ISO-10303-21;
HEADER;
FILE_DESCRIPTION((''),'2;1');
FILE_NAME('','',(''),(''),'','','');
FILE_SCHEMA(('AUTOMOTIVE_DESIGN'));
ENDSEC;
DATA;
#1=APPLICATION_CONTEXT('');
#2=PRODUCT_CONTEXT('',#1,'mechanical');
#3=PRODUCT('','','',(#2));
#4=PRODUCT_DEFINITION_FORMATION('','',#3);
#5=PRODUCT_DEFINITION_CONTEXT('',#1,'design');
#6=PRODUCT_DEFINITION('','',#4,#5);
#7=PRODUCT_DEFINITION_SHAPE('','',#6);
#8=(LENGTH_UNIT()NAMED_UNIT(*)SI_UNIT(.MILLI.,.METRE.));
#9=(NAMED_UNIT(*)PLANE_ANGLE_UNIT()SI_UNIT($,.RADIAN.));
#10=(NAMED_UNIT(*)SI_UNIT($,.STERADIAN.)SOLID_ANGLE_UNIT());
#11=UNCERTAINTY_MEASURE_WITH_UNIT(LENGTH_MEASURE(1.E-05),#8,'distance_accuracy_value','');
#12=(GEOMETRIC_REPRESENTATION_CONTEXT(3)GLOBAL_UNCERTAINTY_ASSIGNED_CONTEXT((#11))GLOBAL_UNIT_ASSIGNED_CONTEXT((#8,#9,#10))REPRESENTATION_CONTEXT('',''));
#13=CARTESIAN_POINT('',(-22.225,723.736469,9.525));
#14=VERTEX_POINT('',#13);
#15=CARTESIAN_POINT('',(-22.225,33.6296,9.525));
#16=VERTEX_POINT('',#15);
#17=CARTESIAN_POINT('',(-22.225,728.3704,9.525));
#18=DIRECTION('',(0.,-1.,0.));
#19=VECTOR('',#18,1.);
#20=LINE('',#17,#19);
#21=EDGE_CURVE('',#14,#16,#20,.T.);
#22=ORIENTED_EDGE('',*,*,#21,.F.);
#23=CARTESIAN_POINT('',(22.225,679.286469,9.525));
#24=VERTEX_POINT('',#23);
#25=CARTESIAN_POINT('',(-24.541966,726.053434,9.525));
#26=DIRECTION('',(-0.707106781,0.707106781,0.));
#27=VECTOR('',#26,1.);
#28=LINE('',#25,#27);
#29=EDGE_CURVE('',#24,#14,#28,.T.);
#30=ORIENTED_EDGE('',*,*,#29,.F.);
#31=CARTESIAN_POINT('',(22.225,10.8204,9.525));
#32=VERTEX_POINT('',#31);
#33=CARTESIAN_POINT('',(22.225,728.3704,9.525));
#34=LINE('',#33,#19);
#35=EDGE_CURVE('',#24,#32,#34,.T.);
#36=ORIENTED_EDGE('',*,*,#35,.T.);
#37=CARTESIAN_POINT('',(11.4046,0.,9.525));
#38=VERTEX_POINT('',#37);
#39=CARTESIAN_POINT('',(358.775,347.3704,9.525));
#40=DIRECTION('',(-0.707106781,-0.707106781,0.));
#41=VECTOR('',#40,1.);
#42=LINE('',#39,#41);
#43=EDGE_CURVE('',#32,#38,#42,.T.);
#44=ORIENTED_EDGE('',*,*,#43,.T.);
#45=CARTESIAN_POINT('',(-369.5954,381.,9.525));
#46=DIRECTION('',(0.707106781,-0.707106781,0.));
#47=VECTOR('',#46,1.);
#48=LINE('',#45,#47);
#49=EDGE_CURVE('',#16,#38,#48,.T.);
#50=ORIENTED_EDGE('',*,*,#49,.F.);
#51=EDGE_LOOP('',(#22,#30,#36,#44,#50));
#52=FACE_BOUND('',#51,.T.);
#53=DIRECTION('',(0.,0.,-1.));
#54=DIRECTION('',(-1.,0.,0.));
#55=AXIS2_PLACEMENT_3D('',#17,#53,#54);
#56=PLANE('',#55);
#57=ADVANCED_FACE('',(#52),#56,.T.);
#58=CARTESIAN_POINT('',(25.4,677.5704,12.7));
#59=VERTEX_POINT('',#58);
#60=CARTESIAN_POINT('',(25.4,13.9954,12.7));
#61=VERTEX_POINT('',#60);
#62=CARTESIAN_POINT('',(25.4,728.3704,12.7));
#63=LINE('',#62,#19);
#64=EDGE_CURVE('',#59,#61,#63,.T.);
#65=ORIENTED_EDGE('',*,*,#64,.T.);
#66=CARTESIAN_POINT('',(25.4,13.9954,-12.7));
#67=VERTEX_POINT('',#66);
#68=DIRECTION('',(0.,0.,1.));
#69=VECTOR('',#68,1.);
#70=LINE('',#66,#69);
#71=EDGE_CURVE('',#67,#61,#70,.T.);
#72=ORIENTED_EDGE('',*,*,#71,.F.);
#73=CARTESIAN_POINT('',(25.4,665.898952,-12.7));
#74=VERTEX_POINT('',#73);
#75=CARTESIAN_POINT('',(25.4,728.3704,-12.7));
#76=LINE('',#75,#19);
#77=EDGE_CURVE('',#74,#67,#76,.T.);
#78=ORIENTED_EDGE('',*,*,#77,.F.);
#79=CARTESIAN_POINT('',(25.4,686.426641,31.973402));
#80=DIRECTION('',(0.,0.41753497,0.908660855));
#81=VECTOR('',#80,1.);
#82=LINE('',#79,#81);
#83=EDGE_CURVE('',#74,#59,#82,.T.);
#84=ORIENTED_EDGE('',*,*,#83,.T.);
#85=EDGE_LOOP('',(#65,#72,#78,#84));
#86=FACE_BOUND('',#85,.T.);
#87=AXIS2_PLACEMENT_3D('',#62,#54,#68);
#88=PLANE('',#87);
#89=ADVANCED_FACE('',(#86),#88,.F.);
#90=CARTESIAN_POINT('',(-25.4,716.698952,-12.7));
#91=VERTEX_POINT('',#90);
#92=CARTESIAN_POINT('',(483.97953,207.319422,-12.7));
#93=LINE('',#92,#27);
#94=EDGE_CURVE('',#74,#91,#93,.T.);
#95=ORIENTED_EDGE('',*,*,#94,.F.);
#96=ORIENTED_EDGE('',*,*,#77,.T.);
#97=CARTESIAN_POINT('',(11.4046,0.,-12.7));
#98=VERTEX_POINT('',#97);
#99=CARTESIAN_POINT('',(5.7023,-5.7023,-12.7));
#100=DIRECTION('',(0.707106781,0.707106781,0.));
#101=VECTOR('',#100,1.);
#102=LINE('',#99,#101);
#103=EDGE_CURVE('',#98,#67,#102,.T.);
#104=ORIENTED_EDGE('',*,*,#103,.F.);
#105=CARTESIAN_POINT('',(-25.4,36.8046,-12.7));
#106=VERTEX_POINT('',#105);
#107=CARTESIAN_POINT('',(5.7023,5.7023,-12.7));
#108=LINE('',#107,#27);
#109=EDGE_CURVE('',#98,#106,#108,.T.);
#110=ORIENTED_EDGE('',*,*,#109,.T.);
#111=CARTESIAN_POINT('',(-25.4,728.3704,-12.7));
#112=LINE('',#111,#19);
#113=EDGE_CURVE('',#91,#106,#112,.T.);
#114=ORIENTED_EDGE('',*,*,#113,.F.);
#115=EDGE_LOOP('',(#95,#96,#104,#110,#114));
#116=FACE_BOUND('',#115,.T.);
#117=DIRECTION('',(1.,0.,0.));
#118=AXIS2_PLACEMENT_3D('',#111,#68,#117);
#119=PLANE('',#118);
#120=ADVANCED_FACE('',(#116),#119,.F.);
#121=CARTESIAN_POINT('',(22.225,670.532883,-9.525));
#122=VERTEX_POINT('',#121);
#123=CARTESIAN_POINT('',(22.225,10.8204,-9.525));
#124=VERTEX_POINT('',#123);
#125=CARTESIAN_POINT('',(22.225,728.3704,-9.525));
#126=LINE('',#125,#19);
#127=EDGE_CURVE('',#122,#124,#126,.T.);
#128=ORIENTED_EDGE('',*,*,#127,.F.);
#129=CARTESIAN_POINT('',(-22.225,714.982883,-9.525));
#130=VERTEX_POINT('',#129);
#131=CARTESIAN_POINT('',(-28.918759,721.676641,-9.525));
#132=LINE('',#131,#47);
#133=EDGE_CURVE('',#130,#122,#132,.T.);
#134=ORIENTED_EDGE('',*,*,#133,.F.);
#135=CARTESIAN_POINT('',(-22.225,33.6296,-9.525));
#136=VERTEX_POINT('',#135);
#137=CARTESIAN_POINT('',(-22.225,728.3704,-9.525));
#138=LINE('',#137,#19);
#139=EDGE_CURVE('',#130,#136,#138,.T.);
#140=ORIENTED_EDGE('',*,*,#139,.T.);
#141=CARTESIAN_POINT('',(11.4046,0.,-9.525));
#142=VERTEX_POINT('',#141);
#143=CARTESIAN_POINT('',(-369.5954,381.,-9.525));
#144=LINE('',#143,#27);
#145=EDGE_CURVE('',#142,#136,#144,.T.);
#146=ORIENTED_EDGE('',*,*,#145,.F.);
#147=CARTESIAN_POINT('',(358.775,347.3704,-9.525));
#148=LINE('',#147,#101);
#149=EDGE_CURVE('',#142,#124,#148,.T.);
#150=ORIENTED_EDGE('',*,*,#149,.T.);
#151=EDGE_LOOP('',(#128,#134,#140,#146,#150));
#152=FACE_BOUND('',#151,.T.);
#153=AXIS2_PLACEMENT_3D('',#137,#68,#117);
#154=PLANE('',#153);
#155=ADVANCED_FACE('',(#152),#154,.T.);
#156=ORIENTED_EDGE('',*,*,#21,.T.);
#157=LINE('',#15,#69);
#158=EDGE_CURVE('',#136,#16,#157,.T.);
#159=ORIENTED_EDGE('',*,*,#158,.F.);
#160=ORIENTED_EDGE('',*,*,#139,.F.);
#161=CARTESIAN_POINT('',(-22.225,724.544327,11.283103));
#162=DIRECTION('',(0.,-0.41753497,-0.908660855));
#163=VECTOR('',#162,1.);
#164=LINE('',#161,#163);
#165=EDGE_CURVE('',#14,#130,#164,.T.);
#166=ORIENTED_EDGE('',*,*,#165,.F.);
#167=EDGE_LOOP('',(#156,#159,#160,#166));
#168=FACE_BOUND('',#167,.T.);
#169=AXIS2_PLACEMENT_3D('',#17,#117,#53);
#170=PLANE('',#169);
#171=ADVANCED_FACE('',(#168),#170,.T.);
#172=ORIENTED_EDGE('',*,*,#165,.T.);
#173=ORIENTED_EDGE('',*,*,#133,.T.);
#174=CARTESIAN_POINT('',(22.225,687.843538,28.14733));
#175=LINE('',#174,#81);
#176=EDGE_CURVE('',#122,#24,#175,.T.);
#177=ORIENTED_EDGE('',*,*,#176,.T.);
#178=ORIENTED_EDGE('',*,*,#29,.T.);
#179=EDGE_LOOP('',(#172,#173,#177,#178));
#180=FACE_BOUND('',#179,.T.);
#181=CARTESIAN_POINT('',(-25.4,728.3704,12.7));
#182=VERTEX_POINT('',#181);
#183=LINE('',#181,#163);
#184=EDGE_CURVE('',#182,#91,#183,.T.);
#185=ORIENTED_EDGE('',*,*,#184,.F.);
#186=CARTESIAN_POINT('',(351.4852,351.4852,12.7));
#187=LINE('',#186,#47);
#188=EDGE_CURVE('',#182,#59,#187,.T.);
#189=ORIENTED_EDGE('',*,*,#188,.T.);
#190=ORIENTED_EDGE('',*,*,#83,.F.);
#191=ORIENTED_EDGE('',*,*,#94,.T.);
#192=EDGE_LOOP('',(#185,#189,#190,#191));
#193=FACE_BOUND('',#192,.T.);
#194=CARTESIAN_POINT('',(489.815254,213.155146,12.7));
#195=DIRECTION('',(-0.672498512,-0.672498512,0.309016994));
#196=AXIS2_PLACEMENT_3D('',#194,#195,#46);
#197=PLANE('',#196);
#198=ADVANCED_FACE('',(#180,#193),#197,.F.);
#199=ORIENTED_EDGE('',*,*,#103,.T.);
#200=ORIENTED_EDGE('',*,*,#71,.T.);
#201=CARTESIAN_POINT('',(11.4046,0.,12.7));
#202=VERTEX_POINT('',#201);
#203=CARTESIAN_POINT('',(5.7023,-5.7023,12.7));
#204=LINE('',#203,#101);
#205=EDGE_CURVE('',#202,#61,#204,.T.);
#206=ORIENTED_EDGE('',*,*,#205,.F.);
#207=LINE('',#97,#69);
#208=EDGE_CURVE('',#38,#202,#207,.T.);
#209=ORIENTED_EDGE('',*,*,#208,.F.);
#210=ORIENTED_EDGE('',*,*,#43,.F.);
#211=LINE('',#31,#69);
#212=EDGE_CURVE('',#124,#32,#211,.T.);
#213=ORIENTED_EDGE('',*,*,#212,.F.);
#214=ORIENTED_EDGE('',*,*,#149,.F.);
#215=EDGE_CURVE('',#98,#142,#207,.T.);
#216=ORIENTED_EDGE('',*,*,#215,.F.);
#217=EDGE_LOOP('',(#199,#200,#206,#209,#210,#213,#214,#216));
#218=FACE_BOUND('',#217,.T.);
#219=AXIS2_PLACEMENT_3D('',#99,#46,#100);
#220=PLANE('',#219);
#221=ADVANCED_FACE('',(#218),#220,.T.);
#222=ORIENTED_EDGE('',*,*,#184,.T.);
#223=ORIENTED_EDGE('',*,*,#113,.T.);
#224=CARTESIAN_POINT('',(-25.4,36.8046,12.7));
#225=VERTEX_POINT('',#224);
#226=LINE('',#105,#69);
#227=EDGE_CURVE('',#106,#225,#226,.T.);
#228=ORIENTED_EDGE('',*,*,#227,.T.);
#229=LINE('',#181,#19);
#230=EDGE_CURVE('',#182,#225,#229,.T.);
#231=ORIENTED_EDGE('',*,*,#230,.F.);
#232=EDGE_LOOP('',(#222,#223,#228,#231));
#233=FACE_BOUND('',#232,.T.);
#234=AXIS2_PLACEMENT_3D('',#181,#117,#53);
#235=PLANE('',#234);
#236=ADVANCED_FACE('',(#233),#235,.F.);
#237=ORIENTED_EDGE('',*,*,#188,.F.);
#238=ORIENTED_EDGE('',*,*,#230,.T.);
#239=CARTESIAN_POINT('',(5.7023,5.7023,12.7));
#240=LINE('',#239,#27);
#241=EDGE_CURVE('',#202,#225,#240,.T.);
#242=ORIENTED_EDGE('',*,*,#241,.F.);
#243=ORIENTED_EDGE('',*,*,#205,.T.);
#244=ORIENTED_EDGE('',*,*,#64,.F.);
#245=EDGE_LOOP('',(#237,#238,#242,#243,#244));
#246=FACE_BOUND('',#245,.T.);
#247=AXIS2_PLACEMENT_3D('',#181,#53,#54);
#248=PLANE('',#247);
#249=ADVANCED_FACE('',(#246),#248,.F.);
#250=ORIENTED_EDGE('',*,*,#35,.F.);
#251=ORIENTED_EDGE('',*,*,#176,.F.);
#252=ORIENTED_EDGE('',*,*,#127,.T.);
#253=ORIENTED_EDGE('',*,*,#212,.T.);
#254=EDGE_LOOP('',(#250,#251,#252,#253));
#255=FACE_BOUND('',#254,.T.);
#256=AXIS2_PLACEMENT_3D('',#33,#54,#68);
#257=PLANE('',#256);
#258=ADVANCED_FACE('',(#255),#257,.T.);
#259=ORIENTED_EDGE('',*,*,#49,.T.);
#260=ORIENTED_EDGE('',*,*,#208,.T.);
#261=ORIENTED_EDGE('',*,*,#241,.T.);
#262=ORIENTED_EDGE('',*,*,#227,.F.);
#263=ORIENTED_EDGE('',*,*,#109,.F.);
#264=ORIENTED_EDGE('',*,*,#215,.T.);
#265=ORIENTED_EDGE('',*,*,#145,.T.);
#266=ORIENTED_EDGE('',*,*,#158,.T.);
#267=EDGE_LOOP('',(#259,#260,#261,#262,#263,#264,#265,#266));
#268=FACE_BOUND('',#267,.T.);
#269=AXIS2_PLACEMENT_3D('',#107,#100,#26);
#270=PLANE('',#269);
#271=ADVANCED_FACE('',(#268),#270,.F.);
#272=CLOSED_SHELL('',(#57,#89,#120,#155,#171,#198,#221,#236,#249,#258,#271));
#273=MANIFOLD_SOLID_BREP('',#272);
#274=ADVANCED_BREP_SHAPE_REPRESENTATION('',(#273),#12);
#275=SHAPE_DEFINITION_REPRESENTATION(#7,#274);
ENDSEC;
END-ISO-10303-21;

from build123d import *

# Parameters (mm, degrees)
SKETCH1_W           = 50.8
SKETCH1_H           = 25.4
SKETCH1_W_2         = 44.45
SKETCH1_H_2         = 19.05
BOSS_EXTRUDE1_DEPTH = 728.3704
CUT_EXTRUDE1_DEPTH  = 730.255620202
CUT_EXTRUDE2_DEPTH  = 728.6244


with BuildPart() as part:
    # Sketch1 → Boss-Extrude1 (new body)
    with BuildSketch(Plane(origin=(0, 0, 0), x_dir=(1, 0, 0), z_dir=(0, 1, 0))):
        Rectangle(SKETCH1_W, SKETCH1_H)
        Rectangle(SKETCH1_W_2, SKETCH1_H_2, mode=Mode.SUBTRACT)
    extrude(amount=BOSS_EXTRUDE1_DEPTH)

    # Sketch2 → Cut-Extrude1 (cut, through all)
    with BuildSketch(Plane.XY.offset(12.7)):
        Polygon((25.4, 728.3704), (-25.4, 728.3704), (25.4, 677.5704), align=None)
        Polygon((11.4046, 0), (-25.4, 36.8046), (-25.4, 0), align=None)
        Polygon((25.4, 0), (25.4, 13.9954), (11.4046, 0), align=None)
    extrude(amount=-CUT_EXTRUDE1_DEPTH, mode=Mode.SUBTRACT)

    # Sketch3 → Cut-Extrude2 (cut)
    with BuildSketch(Plane(origin=(-376.8852, 376.8852, 0), x_dir=(0, 0, 1), z_dir=(-0.7071067811865563, 0.7071067811865388, 0))):
        Polygon((12.7, 497.075136813), (-12.7, 488.822176529), (-12.7, 497.075136813), align=None)
    extrude(amount=-CUT_EXTRUDE2_DEPTH, mode=Mode.SUBTRACT)


solid = part.part
